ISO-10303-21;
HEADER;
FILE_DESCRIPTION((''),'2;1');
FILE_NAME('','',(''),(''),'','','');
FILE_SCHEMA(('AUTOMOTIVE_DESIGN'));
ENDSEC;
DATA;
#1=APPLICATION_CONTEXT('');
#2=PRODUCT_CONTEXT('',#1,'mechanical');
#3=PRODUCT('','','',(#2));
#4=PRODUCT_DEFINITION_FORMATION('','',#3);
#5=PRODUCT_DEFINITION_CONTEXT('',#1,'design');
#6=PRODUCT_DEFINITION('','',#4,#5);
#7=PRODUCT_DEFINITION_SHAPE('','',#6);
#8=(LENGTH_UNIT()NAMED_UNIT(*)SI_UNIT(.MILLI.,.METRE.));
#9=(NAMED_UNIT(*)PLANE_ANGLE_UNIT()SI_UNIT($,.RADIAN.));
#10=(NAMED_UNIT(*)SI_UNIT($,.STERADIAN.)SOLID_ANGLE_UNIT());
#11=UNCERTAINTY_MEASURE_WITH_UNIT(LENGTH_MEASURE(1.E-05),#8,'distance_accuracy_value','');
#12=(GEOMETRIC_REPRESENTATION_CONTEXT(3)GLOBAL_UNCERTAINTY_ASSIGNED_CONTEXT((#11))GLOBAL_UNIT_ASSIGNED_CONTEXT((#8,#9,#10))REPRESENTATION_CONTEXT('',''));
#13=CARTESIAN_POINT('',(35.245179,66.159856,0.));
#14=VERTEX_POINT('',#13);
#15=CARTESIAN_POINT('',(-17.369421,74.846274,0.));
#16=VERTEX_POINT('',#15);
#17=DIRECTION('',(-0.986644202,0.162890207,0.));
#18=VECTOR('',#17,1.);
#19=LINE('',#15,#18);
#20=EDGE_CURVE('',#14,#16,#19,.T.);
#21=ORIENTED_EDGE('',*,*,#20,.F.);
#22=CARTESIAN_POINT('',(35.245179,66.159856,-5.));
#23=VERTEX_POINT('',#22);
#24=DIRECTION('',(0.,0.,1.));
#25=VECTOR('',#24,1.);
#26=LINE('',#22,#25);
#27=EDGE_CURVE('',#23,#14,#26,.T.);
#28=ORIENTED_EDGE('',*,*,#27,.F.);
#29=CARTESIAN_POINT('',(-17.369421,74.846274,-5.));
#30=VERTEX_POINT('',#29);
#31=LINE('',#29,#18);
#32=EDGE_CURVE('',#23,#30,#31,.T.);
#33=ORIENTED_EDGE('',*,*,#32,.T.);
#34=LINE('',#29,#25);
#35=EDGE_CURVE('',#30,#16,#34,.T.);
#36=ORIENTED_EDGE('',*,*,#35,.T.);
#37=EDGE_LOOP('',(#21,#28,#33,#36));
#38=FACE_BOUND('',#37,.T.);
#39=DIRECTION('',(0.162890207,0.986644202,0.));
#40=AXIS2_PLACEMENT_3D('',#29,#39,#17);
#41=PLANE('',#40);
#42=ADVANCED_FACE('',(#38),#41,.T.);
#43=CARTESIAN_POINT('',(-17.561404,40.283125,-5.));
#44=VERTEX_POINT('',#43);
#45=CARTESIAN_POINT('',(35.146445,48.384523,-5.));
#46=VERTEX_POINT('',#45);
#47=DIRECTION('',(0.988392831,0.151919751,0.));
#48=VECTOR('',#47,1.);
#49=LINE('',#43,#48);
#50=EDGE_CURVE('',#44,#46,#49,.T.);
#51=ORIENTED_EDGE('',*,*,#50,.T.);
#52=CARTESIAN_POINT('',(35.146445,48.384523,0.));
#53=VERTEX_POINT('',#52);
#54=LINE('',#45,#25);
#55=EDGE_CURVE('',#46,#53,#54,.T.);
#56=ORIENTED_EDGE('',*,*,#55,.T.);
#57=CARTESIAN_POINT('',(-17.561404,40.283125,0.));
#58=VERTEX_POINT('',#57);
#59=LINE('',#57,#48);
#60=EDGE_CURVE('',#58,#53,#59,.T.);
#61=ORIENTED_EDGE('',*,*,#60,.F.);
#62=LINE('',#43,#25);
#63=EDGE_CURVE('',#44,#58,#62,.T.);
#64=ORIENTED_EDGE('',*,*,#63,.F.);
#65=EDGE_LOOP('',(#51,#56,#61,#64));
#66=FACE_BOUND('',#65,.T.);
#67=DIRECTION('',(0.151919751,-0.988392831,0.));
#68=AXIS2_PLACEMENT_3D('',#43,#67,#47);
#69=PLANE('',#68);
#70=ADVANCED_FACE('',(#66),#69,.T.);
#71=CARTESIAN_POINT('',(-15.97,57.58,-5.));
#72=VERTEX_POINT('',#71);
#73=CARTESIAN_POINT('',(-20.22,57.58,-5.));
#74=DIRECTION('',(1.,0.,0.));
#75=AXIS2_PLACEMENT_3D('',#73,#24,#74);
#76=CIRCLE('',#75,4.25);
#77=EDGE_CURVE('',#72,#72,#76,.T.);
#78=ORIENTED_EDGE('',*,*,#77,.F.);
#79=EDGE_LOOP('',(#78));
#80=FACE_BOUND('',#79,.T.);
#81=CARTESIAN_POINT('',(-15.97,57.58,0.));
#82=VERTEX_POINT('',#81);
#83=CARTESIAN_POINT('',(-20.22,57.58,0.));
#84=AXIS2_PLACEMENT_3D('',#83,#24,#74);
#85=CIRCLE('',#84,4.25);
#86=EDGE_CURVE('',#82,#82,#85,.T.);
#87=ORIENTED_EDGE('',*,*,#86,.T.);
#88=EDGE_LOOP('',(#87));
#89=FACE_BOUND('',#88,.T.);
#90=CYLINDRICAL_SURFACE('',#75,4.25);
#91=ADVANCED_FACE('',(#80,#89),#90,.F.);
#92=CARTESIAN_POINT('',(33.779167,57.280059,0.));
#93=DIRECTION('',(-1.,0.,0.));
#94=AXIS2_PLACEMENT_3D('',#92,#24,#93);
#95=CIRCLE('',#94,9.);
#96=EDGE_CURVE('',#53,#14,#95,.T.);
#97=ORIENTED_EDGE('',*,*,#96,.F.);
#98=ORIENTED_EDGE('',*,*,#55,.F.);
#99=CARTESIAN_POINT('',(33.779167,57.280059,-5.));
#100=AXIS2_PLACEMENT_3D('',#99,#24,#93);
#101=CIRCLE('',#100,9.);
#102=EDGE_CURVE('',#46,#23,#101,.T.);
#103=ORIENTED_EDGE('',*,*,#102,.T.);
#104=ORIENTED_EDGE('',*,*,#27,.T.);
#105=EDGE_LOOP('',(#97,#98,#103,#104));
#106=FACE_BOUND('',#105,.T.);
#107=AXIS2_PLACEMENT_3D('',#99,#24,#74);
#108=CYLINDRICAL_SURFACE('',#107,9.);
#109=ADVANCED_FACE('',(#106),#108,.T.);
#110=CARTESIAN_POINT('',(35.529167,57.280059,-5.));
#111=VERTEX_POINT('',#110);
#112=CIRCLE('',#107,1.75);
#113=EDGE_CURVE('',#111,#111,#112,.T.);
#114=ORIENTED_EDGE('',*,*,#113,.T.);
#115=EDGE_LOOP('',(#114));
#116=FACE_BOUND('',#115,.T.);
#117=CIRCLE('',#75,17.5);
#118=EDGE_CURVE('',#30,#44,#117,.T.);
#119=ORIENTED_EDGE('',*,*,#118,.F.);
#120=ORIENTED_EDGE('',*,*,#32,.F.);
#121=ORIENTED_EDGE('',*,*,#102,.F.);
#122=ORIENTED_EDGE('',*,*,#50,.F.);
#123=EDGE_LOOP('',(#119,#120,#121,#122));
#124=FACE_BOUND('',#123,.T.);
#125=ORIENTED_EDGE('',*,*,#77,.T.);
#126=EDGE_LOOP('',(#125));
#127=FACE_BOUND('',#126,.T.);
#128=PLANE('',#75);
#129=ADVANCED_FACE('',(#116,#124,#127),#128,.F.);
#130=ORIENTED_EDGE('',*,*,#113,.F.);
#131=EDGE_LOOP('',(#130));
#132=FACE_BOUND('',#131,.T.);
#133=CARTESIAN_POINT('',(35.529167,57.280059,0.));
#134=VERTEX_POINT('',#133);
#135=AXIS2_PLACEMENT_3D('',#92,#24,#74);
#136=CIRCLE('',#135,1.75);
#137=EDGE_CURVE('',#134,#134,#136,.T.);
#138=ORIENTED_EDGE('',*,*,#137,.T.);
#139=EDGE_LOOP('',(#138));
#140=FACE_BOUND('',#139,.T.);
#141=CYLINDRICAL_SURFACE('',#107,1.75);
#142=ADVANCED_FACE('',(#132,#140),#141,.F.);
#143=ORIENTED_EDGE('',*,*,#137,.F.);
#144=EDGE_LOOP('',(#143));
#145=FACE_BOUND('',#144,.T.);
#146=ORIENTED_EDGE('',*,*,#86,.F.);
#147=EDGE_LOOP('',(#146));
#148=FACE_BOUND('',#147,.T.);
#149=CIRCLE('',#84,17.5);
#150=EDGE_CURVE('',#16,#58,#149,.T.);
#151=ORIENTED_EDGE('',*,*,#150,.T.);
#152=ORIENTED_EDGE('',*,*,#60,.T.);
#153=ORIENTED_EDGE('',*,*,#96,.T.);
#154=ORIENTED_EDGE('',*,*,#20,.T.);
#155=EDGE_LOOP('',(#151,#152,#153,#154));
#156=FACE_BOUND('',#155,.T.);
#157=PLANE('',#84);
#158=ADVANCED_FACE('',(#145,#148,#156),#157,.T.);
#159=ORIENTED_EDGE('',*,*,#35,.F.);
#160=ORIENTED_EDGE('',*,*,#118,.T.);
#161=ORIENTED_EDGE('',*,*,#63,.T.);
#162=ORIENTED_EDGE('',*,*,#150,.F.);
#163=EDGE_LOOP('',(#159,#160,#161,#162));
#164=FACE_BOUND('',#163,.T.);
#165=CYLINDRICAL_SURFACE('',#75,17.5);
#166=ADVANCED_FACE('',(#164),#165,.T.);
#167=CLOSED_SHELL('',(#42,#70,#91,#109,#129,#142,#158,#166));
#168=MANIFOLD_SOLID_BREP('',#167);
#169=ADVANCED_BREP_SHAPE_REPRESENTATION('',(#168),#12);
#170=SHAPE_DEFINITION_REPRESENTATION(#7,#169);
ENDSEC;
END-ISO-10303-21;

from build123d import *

# Parameters (mm, degrees)
SKETCH1_R           = 4.25
SKETCH1_R_2         = 1.75
BOSS_EXTRUDE1_DEPTH = 5


with BuildPart() as part:
    # Sketch1 → Boss-Extrude1 (new body)
    with BuildSketch(Plane.XY):
        with BuildLine():
            Line((-17.369421377, 74.846273527), (35.245178849, 66.159856367))
            ThreePointArc((35.245178849, 66.159856367), (42.77902815, 57.230068312), (35.146444748, 48.384523071))
            Line((35.146444748, 48.384523071), (-17.561404351, 40.283125451))
            ThreePointArc((-17.561404351, 40.283125451), (-37.719730042, 57.677203247), (-17.369421377, 74.846273527))
        make_face()
        with Locations((-20.22, 57.58)):
            Circle(SKETCH1_R, mode=Mode.SUBTRACT)
        with Locations((33.779166986, 57.280058553)):
            Circle(SKETCH1_R_2, mode=Mode.SUBTRACT)
    extrude(amount=-BOSS_EXTRUDE1_DEPTH)


solid = part.part
